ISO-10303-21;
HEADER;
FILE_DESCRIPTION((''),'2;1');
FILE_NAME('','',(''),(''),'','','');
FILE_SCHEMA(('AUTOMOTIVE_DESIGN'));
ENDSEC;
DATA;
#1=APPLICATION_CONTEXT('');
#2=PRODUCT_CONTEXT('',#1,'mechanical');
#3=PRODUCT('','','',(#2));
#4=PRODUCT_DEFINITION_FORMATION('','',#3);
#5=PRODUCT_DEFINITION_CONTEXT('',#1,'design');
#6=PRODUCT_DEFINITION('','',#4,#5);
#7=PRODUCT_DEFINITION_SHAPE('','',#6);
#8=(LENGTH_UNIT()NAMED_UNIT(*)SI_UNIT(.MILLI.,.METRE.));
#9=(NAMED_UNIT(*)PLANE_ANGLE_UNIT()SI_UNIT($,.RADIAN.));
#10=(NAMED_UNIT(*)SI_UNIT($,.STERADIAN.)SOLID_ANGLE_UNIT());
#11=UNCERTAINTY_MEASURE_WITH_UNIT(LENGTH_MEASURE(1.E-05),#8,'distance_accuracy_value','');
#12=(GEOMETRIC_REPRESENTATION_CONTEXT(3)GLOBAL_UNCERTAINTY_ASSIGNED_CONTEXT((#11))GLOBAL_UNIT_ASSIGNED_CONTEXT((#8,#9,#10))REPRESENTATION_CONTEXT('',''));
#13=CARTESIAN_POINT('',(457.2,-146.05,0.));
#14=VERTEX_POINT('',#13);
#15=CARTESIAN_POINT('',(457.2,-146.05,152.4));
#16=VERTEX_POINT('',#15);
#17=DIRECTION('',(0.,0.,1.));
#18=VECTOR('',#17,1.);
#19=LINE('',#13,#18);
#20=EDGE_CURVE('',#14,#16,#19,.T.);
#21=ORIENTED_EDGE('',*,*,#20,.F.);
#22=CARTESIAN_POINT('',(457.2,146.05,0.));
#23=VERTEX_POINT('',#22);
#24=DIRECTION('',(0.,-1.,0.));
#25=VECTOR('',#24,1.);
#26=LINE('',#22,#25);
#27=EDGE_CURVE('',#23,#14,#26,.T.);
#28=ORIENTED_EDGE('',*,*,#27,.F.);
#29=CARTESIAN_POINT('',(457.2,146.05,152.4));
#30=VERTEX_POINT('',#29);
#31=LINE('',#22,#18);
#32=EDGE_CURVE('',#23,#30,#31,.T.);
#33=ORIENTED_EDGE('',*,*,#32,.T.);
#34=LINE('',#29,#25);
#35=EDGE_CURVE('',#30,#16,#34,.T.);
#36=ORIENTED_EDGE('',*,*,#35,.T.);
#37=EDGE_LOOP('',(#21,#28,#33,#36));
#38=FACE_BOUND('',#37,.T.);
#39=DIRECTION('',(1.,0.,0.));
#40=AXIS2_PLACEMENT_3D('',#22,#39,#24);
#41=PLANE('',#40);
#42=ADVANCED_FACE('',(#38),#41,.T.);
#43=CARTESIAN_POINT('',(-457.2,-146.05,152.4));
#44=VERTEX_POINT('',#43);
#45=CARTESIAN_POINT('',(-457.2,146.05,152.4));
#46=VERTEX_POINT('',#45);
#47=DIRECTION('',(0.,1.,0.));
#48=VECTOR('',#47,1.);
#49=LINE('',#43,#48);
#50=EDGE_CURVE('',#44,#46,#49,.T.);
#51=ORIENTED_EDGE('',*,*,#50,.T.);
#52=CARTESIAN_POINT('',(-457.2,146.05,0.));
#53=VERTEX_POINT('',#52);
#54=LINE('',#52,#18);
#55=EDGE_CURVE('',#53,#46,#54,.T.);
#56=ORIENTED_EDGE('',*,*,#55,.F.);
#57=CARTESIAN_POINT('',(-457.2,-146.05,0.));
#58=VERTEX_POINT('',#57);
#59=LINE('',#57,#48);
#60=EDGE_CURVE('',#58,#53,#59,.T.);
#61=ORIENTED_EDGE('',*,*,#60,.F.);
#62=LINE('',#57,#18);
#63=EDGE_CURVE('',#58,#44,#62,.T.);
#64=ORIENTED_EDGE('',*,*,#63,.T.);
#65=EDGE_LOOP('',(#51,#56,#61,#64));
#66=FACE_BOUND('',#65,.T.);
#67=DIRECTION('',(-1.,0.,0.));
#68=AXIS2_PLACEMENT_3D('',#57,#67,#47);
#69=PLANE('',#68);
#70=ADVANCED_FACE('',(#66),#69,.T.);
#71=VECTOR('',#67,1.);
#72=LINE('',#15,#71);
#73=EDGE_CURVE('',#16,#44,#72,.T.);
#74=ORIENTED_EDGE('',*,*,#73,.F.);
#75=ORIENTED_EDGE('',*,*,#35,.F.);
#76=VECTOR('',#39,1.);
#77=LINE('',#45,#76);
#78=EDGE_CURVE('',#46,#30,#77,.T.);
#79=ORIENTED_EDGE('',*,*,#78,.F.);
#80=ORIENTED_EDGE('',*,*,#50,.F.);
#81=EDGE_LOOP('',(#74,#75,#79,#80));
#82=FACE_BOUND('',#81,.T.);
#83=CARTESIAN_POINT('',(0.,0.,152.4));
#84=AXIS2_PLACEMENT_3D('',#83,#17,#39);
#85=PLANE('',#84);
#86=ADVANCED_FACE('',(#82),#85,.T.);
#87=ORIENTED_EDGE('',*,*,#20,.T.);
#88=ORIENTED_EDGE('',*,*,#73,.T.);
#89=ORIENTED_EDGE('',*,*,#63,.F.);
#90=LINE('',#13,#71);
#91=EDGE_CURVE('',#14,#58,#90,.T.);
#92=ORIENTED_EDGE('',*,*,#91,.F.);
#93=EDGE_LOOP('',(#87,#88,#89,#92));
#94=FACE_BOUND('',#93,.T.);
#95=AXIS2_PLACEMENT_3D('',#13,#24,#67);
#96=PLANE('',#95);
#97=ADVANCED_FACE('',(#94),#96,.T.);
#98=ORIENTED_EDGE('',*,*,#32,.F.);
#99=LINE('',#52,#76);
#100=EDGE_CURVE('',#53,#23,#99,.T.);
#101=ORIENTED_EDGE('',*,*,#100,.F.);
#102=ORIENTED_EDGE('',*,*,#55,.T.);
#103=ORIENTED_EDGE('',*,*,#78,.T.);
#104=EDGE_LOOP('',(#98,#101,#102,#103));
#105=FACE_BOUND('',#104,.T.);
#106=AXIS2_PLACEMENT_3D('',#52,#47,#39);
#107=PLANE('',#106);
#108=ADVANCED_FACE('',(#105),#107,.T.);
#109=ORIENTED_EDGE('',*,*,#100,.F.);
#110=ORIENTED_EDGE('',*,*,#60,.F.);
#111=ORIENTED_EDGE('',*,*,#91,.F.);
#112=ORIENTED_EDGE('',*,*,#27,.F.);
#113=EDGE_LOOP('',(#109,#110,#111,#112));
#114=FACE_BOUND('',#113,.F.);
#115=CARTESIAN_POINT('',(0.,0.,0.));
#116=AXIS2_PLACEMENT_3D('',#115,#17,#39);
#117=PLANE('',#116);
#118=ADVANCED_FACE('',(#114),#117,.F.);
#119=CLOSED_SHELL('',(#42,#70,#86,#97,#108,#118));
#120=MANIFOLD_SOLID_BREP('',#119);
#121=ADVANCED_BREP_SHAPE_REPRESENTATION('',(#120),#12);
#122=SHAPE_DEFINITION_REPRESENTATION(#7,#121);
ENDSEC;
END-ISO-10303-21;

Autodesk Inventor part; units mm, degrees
ref_plane "YZ Plane" through (0, 0, 0) normal (1, 0, 0) x (0, 1, 0)
ref_plane "XZ Plane" through (0, 0, 0) normal (0, 1, 0) x (-1, 0, 0)
ref_plane "XY Plane" through (0, 0, 0) normal (0, 0, 1) x (1, 0, 0)
sketch "Sketch1" plane through (0, 0, 0) normal (0, 0, 1) x (1, 0, 0)
  line L0 (-457.2, 146.05) -> (457.2, 146.05)
  line L1 (457.2, 146.05) -> (457.2, -146.05)
  line L2 (457.2, -146.05) -> (-457.2, -146.05)
  line L3 (-457.2, -146.05) -> (-457.2, 146.05)
  line L4 (-457.2, 146.05) -> (457.2, -146.05) construction
  line L5 (457.2, 146.05) -> (-457.2, -146.05) construction
  point P0 (0, 0)
  dimension "d0" = 914.4
  dimension "d1" = 292.1
extrude "Extrusion1" add sketch "Sketch1" along normal blind 152.4
properties part number "1-2x-36x11-5x6sn step" material "Granite, Cut, Polished"
